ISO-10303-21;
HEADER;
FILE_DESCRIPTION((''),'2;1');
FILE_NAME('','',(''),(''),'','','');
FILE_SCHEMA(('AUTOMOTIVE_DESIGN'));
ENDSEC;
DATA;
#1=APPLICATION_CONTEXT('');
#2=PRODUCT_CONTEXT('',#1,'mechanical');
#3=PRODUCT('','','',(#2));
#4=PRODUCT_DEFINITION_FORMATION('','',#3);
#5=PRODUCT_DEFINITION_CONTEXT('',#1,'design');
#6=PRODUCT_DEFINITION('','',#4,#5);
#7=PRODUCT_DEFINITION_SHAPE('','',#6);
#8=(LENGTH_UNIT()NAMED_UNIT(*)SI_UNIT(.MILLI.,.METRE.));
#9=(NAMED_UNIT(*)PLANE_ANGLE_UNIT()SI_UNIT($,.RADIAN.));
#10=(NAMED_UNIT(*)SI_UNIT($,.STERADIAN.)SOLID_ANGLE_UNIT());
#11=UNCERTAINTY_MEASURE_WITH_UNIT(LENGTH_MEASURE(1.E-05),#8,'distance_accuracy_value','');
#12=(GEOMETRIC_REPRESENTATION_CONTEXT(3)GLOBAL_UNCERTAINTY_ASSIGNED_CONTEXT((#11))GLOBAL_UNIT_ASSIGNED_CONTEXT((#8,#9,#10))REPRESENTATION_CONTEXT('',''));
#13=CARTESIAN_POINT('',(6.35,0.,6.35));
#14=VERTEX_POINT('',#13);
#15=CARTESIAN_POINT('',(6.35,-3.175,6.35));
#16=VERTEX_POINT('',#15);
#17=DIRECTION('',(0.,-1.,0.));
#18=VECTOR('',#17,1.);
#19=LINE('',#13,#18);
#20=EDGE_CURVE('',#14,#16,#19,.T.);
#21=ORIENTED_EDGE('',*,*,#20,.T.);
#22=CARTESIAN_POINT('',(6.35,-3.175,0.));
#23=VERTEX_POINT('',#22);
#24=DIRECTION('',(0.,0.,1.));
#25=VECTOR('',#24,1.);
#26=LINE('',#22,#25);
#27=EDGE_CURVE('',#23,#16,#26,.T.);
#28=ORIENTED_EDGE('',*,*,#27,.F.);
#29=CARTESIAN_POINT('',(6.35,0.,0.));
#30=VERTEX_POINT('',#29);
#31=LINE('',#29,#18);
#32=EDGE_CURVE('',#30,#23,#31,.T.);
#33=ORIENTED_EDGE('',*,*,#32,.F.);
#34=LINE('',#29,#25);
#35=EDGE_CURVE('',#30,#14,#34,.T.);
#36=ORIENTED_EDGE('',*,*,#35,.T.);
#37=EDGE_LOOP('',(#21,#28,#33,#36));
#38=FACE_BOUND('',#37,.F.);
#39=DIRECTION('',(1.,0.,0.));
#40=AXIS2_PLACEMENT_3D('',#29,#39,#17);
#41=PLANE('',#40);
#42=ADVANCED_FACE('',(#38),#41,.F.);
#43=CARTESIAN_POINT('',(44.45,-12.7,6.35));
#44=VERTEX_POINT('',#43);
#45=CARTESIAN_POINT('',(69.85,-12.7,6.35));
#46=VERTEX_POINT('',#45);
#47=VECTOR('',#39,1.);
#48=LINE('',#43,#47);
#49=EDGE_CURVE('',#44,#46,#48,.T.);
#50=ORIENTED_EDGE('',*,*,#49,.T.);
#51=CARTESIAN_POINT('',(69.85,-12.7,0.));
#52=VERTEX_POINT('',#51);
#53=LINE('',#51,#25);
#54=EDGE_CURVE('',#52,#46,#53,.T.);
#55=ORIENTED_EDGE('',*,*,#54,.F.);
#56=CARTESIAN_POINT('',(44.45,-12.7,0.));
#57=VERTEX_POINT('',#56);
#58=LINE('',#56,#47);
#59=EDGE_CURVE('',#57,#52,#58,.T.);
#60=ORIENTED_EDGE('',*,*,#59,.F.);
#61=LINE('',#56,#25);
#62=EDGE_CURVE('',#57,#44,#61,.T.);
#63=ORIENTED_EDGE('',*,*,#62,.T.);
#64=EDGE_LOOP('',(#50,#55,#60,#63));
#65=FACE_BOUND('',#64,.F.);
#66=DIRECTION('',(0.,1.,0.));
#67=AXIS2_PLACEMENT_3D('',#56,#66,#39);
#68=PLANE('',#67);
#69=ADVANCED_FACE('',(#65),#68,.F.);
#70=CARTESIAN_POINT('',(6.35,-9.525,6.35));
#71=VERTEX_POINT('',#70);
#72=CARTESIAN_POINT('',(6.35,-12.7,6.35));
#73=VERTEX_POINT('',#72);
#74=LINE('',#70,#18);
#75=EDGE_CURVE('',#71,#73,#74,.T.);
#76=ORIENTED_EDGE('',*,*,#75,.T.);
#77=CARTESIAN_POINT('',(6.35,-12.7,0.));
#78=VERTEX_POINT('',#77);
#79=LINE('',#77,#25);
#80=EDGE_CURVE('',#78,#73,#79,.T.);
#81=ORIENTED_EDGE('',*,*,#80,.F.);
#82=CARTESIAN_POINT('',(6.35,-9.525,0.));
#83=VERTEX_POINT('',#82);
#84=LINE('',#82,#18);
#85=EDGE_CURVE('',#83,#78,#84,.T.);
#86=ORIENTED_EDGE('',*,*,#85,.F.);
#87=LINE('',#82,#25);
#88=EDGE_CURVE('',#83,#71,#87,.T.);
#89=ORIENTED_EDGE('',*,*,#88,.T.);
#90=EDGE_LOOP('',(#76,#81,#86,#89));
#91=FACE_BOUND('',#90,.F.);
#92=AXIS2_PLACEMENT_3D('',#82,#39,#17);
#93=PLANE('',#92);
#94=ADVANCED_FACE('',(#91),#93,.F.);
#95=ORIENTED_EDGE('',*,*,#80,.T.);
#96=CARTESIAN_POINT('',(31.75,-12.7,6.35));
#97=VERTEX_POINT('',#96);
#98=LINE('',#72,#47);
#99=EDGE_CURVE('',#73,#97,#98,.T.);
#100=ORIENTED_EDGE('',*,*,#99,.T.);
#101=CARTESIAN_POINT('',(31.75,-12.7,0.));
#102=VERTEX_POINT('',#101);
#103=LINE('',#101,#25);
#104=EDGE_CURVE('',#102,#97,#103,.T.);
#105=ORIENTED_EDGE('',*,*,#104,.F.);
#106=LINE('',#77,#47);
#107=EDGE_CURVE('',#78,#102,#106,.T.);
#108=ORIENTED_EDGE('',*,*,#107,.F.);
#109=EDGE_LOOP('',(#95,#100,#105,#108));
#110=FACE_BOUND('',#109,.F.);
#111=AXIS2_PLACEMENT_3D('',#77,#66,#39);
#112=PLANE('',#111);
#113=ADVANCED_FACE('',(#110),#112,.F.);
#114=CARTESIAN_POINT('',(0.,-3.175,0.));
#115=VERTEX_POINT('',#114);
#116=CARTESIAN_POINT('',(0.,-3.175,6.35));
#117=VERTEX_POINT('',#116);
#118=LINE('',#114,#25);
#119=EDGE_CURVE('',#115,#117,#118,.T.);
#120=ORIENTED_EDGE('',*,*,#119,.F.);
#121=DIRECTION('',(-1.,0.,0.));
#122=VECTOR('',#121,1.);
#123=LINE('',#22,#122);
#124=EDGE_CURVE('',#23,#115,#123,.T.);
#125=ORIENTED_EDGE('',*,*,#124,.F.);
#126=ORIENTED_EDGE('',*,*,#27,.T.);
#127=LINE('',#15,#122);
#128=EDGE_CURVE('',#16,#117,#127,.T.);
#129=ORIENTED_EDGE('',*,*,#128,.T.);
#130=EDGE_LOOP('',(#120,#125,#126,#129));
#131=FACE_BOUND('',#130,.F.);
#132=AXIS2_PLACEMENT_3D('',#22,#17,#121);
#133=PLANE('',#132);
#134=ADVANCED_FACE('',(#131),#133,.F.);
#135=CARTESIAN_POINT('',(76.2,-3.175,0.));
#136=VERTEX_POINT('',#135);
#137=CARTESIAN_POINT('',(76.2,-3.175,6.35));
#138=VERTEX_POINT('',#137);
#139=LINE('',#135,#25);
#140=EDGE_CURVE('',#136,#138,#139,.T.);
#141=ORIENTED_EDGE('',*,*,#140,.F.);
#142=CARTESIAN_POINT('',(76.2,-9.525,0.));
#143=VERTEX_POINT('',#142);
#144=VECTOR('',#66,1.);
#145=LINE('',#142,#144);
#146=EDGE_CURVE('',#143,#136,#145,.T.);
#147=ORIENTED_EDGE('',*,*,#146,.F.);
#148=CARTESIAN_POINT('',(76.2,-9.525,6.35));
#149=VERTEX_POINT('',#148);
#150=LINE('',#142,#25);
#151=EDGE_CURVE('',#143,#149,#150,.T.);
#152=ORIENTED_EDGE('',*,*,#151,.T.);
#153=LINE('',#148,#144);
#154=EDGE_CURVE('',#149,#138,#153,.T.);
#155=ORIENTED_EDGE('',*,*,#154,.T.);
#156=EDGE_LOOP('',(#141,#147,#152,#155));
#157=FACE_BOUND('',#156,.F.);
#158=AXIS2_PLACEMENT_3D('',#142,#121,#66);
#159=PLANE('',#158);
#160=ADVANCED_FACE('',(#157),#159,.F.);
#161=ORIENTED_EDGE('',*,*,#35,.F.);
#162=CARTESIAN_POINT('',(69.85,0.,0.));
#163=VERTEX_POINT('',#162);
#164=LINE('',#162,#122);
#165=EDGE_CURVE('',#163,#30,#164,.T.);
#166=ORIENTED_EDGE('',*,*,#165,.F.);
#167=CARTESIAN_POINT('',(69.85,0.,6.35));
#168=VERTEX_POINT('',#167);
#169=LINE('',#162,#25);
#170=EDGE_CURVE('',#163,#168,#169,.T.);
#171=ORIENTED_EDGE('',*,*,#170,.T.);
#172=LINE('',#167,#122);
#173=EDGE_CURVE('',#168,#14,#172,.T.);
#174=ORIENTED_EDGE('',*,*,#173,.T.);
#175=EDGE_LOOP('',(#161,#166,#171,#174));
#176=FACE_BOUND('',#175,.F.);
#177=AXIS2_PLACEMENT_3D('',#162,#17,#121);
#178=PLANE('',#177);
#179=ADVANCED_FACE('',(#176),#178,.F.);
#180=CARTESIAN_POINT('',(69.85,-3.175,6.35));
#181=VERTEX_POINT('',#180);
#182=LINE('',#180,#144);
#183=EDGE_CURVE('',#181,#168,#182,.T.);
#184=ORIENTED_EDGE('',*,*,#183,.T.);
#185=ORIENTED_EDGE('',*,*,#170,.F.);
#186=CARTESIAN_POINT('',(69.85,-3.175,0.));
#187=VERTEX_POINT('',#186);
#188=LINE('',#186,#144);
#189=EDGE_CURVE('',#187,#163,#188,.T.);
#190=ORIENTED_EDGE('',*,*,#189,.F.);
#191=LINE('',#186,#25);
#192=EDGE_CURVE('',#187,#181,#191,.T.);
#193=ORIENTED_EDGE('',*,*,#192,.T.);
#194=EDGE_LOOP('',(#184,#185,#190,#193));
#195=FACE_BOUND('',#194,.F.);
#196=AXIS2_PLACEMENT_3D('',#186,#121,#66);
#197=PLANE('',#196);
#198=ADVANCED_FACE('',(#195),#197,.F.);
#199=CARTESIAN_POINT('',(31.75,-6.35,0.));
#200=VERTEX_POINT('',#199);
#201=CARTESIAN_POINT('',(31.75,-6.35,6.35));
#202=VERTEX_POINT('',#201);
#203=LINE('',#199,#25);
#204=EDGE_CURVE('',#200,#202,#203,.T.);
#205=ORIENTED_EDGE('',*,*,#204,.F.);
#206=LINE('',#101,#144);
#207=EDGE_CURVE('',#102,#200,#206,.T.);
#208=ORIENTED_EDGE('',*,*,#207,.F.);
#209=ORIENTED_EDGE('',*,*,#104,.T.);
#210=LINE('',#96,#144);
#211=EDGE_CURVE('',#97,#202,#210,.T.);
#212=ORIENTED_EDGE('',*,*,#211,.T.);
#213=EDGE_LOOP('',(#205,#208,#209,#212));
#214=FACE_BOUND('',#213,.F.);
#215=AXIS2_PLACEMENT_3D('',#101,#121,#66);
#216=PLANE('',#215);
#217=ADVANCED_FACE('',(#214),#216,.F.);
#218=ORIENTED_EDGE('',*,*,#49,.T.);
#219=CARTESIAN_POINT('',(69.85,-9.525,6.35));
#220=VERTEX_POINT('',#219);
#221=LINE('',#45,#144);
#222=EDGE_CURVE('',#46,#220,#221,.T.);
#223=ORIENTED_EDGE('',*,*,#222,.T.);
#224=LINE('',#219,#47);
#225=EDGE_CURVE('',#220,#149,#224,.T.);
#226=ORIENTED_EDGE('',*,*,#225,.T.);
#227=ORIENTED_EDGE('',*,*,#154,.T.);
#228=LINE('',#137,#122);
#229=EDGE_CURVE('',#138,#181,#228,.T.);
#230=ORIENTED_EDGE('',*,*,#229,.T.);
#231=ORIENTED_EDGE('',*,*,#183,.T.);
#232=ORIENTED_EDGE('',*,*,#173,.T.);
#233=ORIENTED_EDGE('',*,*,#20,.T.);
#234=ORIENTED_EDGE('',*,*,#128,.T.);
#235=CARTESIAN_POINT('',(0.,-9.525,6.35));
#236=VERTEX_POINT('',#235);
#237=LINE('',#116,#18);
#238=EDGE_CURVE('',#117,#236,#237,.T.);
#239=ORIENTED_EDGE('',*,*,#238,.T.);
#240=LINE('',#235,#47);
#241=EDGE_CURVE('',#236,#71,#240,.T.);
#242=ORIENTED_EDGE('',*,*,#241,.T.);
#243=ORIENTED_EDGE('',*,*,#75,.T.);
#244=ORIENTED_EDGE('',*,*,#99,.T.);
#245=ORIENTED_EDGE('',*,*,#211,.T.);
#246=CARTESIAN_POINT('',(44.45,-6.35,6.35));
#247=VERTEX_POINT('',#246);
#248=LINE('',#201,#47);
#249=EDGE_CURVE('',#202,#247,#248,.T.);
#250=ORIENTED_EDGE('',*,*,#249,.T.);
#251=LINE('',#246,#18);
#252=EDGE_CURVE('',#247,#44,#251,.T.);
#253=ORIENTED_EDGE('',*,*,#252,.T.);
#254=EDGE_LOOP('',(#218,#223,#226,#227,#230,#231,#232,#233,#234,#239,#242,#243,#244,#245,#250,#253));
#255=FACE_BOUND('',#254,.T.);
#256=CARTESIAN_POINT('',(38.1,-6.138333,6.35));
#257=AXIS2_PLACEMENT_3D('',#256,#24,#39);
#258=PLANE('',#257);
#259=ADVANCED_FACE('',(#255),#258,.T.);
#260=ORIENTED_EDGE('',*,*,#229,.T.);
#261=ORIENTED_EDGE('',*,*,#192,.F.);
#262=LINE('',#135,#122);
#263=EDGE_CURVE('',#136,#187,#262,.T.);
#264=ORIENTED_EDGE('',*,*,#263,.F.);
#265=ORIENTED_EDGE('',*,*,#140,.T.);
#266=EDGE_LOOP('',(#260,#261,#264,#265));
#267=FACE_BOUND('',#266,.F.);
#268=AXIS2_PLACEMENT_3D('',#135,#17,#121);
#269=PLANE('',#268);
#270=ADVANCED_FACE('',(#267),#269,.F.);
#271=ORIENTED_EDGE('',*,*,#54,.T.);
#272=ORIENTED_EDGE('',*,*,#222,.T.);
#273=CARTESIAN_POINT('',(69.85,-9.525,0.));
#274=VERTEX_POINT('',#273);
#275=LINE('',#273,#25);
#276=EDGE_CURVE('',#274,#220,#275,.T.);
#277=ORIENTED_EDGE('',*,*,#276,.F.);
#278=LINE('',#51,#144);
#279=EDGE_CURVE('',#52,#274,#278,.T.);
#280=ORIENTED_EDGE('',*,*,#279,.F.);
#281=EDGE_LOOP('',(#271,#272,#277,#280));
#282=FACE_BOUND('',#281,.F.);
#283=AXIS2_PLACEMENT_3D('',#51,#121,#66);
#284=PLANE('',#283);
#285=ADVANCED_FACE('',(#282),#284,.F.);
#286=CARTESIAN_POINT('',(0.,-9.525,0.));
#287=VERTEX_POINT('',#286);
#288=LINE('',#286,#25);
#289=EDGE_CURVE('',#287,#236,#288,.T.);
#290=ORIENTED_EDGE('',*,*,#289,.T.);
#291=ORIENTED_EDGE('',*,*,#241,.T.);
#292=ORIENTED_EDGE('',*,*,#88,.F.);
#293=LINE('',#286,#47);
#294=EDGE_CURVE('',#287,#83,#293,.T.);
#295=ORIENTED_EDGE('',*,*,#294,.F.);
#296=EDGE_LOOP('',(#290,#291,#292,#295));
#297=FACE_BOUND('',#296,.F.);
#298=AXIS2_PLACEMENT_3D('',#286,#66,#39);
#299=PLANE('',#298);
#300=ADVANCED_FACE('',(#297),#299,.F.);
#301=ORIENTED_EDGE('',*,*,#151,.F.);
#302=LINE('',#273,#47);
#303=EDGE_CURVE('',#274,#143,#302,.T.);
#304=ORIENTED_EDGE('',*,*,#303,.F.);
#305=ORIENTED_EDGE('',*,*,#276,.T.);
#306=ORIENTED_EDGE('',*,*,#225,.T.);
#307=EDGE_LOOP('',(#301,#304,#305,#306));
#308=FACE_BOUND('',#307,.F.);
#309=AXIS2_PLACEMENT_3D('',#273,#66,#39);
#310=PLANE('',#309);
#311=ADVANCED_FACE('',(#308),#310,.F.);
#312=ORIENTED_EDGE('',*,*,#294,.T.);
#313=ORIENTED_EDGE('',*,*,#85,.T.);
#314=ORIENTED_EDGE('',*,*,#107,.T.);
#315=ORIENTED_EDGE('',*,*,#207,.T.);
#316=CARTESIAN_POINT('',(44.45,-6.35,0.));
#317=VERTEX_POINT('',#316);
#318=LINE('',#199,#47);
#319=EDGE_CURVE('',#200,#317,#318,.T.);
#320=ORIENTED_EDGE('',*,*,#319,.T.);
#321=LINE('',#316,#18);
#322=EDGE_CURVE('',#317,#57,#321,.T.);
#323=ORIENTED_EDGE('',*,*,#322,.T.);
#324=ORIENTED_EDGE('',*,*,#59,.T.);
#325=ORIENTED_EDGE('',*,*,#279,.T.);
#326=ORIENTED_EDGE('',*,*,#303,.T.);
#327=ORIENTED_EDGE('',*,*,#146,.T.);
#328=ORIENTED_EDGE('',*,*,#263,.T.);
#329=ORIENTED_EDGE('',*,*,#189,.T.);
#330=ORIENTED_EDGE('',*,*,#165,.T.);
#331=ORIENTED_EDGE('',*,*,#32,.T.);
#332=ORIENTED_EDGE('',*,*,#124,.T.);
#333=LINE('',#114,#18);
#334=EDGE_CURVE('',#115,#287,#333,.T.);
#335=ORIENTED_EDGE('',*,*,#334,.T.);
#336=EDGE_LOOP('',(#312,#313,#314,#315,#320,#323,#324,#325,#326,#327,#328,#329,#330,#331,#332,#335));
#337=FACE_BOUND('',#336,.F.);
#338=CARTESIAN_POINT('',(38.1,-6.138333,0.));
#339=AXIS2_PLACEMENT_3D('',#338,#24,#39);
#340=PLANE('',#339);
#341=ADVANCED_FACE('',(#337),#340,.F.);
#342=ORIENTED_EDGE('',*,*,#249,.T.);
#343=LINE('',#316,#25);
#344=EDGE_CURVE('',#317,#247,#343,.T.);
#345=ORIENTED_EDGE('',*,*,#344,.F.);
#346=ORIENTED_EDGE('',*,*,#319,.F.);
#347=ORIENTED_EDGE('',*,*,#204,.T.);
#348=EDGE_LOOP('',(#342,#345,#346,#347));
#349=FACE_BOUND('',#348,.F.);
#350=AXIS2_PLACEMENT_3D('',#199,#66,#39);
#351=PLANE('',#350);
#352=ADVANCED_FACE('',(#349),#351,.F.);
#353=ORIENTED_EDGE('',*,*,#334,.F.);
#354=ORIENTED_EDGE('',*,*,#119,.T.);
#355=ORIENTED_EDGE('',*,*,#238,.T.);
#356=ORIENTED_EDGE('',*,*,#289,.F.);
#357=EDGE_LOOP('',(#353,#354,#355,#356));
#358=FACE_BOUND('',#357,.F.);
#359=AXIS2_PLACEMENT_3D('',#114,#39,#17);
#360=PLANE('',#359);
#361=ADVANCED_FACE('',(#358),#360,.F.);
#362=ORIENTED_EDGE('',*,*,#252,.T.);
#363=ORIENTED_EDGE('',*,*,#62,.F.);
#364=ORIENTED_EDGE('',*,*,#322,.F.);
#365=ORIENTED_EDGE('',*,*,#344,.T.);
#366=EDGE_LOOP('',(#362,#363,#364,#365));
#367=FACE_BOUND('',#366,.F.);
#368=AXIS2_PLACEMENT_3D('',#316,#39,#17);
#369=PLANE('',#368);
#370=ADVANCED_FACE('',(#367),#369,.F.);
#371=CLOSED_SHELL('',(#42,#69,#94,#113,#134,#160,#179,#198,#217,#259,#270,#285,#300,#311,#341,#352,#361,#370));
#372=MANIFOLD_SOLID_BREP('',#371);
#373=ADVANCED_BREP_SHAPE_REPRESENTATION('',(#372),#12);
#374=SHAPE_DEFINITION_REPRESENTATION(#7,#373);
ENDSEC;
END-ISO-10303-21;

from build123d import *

# Parameters (mm, degrees)
F1_DEPTH = 6.35


with BuildPart() as f1:
    # F0 (on Top) → F1 (new body)
    with BuildSketch(Plane.XY):
        Polygon((69.85, 0), (6.35, 0), (6.35, -3.175), (0, -3.175), (0, -9.525), (6.35, -9.525), (6.35, -12.7), (31.75, -12.7), (31.75, -6.35), (44.45, -6.35), (44.45, -12.7), (69.85, -12.7), (69.85, -9.525), (76.2, -9.525), (76.2, -3.175), (69.85, -3.175), align=None)
    extrude(amount=F1_DEPTH)


solid = f1.part
